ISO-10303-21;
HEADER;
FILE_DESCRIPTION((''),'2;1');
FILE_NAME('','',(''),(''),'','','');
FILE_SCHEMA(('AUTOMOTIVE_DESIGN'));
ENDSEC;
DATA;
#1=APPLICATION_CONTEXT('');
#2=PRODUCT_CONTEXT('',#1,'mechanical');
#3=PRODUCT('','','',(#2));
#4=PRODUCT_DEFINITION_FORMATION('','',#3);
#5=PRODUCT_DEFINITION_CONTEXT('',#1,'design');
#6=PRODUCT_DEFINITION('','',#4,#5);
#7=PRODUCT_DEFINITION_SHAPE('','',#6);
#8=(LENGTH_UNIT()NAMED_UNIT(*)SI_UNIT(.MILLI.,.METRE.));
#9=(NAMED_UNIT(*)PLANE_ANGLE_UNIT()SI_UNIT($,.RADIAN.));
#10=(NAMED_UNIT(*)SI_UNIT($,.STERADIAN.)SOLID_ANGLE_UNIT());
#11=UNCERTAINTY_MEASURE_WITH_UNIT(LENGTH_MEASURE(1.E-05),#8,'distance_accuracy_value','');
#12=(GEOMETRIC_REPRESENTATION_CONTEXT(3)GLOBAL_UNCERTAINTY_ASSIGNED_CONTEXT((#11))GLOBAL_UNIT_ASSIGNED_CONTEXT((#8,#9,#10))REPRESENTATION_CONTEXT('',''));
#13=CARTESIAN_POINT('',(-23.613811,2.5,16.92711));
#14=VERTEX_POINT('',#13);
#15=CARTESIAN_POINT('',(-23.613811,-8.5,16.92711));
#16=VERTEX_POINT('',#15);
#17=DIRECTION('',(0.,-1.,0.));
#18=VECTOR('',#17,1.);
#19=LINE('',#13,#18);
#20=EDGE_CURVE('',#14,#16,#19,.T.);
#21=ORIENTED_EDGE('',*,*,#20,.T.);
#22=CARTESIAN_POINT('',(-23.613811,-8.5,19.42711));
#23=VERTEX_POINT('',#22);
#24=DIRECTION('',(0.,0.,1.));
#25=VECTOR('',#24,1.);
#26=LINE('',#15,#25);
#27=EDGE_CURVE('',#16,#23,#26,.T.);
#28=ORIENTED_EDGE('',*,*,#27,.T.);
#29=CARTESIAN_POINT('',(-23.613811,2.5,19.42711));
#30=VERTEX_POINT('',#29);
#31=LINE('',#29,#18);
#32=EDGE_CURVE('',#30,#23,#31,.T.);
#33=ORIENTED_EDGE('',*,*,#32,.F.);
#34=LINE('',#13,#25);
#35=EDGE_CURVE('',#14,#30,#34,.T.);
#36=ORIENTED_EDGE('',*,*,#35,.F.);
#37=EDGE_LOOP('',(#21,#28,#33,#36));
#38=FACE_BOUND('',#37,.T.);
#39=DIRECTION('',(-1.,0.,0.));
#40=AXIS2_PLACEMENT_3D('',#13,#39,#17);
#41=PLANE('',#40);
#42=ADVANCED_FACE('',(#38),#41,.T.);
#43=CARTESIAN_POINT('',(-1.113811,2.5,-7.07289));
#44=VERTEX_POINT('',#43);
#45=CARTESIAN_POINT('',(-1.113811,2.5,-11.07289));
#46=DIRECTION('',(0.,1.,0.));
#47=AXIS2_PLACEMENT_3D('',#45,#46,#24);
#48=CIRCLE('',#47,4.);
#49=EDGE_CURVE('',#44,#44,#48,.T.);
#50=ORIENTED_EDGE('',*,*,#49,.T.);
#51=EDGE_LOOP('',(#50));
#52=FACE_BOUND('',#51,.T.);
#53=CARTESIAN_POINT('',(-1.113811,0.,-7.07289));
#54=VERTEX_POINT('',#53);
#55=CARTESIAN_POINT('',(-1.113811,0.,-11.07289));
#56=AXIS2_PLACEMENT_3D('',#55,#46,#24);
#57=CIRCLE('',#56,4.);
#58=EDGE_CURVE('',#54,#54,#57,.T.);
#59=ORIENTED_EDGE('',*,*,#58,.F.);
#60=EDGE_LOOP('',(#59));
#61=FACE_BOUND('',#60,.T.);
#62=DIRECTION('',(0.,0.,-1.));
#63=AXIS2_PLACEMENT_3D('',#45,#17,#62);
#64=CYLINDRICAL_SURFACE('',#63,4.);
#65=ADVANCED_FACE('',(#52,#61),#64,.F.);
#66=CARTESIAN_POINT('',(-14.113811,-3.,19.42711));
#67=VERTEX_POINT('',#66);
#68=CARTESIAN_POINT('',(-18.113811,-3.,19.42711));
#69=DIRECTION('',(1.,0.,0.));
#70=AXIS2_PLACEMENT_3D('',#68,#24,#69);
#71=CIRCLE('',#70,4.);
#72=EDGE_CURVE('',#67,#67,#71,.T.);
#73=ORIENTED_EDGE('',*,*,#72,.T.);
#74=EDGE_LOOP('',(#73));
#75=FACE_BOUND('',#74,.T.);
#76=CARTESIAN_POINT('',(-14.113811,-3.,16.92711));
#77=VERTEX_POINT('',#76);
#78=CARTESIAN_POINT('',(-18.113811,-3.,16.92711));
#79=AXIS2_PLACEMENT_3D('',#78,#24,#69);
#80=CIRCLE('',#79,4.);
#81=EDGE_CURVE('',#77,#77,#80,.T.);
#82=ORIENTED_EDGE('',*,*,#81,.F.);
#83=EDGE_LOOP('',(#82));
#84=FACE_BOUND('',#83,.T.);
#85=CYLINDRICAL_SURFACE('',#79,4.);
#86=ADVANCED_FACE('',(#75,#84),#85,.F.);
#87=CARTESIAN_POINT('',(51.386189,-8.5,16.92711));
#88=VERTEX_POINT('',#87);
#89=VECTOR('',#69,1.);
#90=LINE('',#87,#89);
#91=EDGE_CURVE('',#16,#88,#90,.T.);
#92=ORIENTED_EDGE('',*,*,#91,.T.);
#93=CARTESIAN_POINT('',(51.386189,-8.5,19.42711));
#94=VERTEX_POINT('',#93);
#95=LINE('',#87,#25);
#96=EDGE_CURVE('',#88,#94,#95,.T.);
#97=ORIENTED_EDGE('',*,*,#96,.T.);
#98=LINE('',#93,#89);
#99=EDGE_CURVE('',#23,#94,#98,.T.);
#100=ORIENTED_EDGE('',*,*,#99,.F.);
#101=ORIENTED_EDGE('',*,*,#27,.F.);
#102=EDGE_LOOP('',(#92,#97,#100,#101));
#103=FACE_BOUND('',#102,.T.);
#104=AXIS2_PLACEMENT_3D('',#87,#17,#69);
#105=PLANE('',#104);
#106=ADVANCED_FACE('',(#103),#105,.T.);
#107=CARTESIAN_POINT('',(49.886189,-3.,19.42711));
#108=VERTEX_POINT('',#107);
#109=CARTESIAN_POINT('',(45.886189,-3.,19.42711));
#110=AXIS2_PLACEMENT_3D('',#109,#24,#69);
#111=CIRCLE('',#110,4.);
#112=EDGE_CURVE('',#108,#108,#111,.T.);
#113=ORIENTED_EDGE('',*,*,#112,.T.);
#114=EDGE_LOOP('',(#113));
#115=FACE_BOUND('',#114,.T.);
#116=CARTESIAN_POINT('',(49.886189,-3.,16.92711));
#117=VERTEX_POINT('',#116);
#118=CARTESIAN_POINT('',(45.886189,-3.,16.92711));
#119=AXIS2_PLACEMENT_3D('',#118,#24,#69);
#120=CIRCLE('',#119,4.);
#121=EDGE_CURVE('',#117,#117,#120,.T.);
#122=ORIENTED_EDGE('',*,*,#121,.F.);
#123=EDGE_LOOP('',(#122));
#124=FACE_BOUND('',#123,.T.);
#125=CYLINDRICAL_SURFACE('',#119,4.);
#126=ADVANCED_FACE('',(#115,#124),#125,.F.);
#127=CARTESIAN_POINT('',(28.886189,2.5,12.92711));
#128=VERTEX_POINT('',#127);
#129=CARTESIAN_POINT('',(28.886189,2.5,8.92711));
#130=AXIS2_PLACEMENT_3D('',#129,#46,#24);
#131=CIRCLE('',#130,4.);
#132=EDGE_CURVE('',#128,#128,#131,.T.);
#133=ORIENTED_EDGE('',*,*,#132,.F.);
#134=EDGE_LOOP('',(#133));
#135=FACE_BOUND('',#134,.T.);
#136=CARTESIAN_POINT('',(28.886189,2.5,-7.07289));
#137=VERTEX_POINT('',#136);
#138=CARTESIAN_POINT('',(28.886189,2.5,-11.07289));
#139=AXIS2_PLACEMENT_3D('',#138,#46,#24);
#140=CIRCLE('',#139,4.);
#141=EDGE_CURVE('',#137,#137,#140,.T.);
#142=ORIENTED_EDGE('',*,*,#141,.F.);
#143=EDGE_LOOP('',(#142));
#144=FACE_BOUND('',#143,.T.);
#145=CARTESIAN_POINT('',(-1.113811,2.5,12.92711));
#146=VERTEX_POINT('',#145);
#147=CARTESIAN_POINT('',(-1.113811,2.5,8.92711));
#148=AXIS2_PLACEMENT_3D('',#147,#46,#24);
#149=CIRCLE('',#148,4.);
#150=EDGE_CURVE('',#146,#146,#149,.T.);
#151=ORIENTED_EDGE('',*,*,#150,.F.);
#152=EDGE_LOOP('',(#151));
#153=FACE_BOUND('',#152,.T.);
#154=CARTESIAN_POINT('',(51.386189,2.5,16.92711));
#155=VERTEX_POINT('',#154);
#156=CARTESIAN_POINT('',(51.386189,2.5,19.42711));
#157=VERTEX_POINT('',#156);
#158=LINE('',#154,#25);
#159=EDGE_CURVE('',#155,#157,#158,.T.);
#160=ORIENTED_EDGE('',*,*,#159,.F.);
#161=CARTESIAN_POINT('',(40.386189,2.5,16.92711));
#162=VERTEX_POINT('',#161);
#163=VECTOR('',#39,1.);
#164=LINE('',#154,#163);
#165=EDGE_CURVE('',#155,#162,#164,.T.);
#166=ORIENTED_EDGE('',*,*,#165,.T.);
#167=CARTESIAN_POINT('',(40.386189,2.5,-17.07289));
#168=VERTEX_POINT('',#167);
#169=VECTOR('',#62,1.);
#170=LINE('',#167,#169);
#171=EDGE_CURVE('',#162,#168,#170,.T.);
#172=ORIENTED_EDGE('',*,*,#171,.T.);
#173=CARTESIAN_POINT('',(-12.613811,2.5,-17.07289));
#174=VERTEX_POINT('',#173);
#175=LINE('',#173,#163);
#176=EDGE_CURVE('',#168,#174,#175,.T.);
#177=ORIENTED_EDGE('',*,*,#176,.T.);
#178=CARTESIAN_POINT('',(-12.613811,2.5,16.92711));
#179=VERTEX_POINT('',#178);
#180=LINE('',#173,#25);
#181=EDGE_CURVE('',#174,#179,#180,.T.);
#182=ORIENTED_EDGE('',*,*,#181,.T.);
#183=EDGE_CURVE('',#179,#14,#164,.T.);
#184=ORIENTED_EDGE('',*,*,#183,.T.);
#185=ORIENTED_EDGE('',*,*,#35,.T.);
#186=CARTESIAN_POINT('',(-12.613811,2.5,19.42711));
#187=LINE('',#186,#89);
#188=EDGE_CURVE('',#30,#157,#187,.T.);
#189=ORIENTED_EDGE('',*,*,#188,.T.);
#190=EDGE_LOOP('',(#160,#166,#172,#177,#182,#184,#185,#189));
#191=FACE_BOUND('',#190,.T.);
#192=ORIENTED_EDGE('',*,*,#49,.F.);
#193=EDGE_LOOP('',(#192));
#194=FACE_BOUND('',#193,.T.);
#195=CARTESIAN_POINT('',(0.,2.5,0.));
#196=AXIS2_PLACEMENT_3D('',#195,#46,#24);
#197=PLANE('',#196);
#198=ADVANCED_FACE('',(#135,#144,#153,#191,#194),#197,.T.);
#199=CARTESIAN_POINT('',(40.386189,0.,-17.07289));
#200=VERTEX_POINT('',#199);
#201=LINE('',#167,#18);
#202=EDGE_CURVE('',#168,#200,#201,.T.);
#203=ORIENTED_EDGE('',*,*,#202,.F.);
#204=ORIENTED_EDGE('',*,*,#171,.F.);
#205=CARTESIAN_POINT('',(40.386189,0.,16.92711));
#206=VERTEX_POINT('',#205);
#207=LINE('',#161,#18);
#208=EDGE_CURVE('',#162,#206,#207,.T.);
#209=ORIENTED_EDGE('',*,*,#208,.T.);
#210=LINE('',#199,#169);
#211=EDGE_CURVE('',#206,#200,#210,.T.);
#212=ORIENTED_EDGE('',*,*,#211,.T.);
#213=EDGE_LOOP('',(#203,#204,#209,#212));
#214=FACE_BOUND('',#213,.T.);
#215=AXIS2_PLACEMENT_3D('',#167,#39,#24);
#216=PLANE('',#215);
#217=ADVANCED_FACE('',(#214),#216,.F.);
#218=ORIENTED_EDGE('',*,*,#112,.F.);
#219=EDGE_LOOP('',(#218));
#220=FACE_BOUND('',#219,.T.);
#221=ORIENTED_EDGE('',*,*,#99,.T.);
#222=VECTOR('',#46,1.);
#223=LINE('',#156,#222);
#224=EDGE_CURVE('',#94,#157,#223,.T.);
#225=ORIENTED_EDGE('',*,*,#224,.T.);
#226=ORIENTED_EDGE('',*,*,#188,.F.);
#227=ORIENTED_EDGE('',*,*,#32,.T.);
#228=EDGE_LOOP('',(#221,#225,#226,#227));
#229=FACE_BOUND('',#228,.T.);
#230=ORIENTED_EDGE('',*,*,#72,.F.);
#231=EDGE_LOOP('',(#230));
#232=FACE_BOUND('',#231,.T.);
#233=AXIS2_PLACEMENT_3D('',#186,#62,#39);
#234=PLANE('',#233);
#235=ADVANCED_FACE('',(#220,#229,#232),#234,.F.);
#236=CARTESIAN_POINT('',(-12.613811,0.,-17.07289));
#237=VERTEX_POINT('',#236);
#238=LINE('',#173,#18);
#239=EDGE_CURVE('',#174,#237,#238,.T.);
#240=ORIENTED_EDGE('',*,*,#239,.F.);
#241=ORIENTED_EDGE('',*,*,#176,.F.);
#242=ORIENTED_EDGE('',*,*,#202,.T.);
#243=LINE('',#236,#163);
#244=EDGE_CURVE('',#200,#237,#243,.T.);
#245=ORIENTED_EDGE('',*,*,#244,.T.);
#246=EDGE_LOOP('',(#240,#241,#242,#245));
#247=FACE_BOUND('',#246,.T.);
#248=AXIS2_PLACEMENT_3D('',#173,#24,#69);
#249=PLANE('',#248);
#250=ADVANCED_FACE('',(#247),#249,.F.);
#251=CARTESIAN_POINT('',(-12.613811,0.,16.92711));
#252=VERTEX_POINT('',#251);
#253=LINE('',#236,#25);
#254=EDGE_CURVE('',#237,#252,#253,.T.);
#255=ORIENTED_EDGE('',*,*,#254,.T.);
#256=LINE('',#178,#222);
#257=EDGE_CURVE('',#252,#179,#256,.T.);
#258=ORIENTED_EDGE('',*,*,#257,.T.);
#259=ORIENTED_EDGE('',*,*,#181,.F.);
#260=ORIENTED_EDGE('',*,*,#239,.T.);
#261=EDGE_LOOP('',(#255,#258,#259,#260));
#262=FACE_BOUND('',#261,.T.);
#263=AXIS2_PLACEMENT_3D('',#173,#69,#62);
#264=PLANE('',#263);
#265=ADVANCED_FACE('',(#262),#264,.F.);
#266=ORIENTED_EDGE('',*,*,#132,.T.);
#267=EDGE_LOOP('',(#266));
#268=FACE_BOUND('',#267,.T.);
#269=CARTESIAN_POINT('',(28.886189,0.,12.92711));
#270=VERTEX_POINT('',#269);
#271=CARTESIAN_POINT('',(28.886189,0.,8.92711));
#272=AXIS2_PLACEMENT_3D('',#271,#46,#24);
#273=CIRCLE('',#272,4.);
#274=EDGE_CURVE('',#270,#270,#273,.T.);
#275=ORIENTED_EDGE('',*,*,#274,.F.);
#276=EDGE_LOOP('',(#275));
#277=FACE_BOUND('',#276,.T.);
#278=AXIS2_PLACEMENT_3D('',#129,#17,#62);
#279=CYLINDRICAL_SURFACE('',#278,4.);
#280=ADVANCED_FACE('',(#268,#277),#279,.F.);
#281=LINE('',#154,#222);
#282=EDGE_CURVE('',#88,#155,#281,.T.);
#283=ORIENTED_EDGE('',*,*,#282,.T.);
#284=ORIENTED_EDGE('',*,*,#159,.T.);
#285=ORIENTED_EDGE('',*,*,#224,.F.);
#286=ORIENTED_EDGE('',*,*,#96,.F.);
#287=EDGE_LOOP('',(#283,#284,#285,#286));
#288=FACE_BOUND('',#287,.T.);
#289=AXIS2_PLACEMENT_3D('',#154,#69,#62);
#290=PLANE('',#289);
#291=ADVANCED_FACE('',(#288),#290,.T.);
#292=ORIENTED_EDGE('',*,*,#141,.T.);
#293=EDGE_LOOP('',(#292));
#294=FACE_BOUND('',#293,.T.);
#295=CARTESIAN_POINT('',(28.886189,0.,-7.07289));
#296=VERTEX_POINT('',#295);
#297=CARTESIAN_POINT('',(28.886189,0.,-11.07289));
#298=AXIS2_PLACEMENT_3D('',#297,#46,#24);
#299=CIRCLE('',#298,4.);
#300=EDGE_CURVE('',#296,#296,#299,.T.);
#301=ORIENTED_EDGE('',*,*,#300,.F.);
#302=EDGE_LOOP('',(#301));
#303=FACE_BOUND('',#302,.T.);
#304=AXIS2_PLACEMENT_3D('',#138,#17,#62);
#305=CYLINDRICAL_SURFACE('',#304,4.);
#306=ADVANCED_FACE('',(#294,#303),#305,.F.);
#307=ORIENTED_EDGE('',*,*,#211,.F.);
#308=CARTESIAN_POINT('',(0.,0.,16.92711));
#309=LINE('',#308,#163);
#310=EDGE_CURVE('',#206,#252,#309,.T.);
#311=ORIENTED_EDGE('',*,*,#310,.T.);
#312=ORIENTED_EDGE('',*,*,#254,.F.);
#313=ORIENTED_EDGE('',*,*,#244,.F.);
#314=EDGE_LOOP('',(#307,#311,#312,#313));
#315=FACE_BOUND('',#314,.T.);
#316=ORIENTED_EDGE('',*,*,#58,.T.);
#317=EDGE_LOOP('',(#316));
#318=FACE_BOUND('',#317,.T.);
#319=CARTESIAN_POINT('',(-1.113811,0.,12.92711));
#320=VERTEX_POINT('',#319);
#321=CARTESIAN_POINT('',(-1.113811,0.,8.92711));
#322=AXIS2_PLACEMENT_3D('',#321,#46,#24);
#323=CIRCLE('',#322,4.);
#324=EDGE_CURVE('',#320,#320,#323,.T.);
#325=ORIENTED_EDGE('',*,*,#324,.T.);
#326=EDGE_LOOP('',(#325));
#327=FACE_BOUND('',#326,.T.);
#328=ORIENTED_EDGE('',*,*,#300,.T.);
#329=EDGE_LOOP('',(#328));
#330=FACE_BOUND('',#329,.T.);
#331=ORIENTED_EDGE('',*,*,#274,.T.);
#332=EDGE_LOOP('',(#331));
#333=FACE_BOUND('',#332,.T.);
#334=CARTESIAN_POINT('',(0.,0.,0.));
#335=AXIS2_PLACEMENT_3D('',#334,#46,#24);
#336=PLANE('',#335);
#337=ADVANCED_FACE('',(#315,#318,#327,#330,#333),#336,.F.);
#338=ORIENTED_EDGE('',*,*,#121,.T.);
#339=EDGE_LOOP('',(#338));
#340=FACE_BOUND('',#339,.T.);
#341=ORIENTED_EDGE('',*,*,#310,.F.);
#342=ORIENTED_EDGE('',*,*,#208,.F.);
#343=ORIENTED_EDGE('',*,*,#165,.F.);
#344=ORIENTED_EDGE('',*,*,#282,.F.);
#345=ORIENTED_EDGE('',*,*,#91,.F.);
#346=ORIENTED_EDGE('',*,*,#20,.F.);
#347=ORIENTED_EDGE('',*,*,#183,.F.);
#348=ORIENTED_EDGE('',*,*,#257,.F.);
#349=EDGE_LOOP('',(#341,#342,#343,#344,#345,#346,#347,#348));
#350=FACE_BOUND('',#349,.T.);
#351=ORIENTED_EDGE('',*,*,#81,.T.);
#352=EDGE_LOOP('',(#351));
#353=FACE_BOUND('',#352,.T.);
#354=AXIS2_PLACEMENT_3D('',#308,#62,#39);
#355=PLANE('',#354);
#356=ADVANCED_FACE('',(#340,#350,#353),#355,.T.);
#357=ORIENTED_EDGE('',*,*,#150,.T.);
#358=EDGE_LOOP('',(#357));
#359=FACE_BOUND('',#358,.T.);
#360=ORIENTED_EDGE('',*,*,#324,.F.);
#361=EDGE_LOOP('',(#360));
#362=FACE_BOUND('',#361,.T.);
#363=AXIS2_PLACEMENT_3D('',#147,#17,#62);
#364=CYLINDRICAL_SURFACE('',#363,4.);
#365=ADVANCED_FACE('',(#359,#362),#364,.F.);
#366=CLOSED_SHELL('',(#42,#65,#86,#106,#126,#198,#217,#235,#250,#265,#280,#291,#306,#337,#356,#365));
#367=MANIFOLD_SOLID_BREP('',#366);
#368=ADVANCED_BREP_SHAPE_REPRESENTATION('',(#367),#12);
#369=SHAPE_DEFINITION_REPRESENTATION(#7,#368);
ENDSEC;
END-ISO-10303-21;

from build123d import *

# Parameters (mm, degrees)
SKETCH_1_W      = 53
SKETCH_1_H      = 36.5
SKETCH_1_R      = 4
EXTRUDE_1_DEPTH = 2.5
SKETCH_2_W      = 75
SKETCH_2_H      = 11
SKETCH_2_R      = 4
EXTRUDE_2_DEPTH = 2.5


with BuildPart() as part:
    # 草图1 → 凸台-拉伸1 (new body)
    with BuildSketch(Plane(origin=(0, 0, 0), x_dir=(1, 0, 0), z_dir=(0, 1, 0))):
        with Locations((13.886189258, -1.177109974)):
            Rectangle(SKETCH_1_W, SKETCH_1_H)
        with Locations(Location((-1.113810742, 11.072890026, 0), (0, 0, 270))):
            Circle(SKETCH_1_R, mode=Mode.SUBTRACT)
        with Locations(Location((28.886189258, 11.072890026, 0), (0, 0, 270))):
            Circle(SKETCH_1_R, mode=Mode.SUBTRACT)
        with Locations(Location((28.886189258, -8.927109974, 0), (0, 0, 270))):
            Circle(SKETCH_1_R, mode=Mode.SUBTRACT)
        with Locations(Location((-1.113810742, -8.927109974, 0), (0, 0, 270))):
            Circle(SKETCH_1_R, mode=Mode.SUBTRACT)
    extrude(amount=EXTRUDE_1_DEPTH)

    # 草图2 → 凸台-拉伸2 (add)
    with BuildSketch(Plane.XY.offset(19.427109974)):
        with Locations((13.886189258, -3)):
            Rectangle(SKETCH_2_W, SKETCH_2_H)
        with Locations((-18.113810742, -3)):
            Circle(SKETCH_2_R, mode=Mode.SUBTRACT)
        with Locations((45.886189258, -3)):
            Circle(SKETCH_2_R, mode=Mode.SUBTRACT)
    extrude(amount=-EXTRUDE_2_DEPTH)


solid = part.part
